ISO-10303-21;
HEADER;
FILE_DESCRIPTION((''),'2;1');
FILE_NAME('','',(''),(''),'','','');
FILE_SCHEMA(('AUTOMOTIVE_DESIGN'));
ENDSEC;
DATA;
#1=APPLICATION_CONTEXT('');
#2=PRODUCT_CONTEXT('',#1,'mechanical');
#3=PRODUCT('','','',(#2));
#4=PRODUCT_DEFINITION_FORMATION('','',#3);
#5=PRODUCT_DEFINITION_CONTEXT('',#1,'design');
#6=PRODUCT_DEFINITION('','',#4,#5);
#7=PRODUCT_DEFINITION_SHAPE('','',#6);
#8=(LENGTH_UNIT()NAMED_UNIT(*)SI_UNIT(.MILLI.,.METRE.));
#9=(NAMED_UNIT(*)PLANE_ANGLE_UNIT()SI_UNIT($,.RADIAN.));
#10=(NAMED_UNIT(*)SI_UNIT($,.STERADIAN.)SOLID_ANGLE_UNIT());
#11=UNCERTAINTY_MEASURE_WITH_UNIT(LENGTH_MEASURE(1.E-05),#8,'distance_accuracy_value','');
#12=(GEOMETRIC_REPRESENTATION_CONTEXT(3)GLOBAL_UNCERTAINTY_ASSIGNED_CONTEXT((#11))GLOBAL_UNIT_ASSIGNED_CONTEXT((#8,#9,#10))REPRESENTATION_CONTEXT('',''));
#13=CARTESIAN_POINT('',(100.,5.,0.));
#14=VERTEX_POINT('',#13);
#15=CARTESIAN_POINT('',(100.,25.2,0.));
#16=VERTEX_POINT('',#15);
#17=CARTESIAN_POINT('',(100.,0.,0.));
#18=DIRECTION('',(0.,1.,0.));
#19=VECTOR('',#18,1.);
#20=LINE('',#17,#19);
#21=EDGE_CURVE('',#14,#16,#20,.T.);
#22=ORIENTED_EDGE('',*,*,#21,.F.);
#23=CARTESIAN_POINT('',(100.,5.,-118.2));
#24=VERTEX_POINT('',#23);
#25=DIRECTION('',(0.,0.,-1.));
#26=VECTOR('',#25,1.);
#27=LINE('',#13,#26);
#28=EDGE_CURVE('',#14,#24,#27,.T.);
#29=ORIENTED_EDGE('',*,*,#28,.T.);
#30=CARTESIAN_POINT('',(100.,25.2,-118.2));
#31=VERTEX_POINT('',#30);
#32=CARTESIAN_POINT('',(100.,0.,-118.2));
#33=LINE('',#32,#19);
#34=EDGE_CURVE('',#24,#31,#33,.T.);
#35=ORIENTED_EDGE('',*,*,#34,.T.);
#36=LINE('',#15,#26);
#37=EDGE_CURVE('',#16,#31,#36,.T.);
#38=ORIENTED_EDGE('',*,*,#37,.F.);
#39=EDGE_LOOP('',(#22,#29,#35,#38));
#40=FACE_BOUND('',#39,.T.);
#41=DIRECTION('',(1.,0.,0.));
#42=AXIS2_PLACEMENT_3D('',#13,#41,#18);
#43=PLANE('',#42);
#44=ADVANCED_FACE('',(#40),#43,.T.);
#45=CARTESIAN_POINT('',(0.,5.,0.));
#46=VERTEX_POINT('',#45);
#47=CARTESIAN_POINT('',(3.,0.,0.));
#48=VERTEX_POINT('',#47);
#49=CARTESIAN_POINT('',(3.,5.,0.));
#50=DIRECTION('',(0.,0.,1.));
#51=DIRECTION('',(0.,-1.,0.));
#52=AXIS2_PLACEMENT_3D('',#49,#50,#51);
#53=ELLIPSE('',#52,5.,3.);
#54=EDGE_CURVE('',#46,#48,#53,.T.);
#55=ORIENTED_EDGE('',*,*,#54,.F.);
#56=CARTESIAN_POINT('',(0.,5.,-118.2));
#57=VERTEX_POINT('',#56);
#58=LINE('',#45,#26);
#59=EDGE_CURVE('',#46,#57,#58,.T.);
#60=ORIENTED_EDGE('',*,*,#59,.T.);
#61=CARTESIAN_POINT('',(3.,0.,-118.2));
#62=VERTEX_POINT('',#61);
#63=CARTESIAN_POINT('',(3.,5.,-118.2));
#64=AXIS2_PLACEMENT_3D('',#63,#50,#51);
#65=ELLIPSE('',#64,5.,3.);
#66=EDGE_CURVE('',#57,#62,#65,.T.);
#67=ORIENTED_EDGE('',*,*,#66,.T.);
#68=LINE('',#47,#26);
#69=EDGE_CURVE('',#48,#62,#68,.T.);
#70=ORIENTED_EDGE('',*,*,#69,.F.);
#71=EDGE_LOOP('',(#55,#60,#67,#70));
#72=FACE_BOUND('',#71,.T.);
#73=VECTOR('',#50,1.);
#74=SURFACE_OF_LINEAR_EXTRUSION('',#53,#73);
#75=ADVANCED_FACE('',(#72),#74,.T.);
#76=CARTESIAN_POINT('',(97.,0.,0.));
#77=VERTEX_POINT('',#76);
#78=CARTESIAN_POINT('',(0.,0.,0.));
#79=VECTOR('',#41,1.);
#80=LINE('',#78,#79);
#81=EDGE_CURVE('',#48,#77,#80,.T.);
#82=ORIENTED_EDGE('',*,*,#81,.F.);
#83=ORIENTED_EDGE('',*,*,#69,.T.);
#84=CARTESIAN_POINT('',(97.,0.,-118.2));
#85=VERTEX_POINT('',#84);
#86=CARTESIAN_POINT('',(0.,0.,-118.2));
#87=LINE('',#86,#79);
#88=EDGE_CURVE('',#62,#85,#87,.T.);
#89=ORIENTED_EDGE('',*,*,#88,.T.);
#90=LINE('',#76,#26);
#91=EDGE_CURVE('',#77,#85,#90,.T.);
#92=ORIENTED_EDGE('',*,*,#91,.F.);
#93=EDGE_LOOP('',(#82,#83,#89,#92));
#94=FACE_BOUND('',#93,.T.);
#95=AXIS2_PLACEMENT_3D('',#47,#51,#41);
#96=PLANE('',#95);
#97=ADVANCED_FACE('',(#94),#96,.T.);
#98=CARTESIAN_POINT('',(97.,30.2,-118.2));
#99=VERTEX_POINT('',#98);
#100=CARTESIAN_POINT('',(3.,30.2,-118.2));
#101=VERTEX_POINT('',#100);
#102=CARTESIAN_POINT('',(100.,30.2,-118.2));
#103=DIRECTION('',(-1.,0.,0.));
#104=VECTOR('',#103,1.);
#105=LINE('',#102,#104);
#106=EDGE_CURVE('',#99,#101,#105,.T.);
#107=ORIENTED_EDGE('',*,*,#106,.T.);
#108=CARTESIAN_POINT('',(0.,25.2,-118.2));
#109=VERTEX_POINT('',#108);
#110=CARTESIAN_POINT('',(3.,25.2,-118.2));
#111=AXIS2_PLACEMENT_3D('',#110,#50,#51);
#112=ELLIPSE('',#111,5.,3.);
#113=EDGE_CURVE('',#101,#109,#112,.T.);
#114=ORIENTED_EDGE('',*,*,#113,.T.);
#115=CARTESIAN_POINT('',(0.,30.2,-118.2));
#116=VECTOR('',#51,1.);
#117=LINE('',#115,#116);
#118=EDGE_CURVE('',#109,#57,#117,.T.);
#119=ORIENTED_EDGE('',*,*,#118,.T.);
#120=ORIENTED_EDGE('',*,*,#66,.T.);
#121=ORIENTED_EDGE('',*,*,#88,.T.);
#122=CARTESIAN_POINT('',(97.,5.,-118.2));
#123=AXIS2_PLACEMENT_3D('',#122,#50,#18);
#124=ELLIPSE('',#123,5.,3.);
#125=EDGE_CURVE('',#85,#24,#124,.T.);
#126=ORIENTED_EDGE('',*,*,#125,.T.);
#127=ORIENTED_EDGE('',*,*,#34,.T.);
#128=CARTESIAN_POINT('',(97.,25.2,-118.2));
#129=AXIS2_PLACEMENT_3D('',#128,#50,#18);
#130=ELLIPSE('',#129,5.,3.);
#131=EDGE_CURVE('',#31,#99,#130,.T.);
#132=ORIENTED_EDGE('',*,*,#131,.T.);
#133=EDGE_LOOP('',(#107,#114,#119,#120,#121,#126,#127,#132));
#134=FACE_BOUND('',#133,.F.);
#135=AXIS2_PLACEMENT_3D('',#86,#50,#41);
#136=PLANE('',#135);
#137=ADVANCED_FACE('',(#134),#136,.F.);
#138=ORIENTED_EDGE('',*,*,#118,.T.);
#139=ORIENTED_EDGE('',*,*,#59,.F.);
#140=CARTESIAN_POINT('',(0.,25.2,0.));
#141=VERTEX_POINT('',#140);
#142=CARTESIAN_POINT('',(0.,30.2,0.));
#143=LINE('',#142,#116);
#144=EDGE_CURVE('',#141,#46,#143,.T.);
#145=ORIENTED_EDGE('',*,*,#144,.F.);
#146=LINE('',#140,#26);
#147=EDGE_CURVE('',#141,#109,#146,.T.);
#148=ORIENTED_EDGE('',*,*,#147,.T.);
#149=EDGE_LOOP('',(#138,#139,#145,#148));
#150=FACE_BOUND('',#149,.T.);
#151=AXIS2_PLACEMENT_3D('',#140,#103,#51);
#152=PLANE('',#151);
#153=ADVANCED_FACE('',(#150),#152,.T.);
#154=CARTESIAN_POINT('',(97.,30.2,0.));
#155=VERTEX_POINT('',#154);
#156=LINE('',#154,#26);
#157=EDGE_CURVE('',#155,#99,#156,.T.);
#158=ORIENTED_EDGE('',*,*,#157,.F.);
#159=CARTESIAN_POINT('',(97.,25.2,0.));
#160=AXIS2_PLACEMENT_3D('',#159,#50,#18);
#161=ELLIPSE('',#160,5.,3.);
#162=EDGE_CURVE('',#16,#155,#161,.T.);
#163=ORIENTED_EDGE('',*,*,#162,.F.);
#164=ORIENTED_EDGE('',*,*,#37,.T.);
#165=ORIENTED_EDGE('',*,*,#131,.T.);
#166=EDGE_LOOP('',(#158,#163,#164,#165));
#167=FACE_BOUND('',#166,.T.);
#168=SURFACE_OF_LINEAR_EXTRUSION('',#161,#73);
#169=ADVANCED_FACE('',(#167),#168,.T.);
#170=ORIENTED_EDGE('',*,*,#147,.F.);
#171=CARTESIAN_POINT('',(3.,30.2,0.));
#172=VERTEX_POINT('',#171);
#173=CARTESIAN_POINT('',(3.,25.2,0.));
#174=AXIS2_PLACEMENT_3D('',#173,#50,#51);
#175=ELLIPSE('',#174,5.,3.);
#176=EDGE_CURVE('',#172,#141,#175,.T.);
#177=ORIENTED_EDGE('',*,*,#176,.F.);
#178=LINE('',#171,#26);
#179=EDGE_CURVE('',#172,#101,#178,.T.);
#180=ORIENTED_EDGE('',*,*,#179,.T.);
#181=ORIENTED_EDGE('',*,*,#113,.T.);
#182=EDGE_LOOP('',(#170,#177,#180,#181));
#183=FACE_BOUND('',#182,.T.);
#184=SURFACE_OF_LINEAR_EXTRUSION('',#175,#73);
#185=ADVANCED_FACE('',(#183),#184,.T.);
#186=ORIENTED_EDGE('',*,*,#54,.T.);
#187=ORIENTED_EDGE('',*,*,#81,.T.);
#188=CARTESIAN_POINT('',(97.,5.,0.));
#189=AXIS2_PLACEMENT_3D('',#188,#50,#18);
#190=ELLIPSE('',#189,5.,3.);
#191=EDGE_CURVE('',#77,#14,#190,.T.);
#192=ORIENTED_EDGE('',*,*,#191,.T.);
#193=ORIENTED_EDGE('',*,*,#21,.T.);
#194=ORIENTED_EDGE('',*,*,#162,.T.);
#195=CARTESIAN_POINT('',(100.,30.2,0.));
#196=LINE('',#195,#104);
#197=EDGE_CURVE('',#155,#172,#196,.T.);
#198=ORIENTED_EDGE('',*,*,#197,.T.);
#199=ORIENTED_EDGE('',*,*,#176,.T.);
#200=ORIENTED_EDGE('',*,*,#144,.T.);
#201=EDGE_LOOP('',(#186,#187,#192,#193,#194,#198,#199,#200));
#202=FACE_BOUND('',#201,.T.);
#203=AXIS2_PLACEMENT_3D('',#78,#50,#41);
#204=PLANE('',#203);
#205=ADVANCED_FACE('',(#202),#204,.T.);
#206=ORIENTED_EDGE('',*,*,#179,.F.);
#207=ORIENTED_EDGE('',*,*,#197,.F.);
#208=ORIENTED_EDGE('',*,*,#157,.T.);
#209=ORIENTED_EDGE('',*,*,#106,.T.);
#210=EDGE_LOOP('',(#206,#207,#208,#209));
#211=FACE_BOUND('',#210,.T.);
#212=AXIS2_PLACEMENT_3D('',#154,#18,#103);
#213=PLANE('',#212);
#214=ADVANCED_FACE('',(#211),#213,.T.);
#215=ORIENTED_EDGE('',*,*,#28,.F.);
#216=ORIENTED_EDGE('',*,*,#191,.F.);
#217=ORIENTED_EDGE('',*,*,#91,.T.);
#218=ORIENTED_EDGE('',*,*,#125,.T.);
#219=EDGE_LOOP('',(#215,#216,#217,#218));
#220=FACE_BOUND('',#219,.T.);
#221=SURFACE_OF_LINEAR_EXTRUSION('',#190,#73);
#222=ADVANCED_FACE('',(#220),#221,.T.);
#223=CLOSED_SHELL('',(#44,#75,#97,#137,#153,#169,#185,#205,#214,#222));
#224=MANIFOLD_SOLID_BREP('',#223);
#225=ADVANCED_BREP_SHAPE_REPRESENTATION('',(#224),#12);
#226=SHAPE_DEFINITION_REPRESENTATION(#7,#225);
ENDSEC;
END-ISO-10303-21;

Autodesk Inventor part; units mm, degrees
ref_plane "YZ Plane" through (0, 0, 0) normal (1, 0, 0) x (0, 1, 0)
ref_plane "XZ Plane" through (0, 0, 0) normal (0, 1, 0) x (-1, 0, 0)
ref_plane "XY Plane" through (0, 0, 0) normal (0, 0, 1) x (1, 0, 0)
sketch "Sketch1" plane through (0, 0, 0) normal (0, 0, 1) x (1, 0, 0)
  line L0 (0, 0) -> (100, 0)
  line L1 (100, 0) -> (100, 30.2)
  line L2 (100, 30.2) -> (0, 30.2)
  line L3 (0, 30.2) -> (0, 0)
  ellipse E0 centre (3, 25.2) end of major axis (0, 25.2) minor radius 5 (3, 30.2) -> (0, 25.2) ccw
  line L4 (50, 30.2) -> (50, 0) construction
  line L5 (0, 15.1) -> (100, 15.1) construction
  ellipse E1 centre (97, 25.2) end of major axis (100, 25.2) minor radius 5 (100, 25.2) -> (97, 30.2) ccw
  ellipse E2 centre (3, 5) end of major axis (0, 5) minor radius 5 (0, 5) -> (3, 0) ccw
  ellipse E3 centre (97, 5) end of major axis (100, 5) minor radius 5 (97, 0) -> (100, 5) ccw
  point P0 (0, 5)
  point P1 (3, 0)
  point P2 (97, 0)
  point P3 (100, 5)
  point P4 (100, 25.2)
  dimension "d0" = 100
  dimension "d1" = 30.2
  dimension "d6" = 3
  dimension "d7" = 5
extrude "Extrusion1" add sketch "Sketch1" against normal blind 118.2 contours E2 L3 E0 L2 E1 L1 E3 L0
properties part number "DAC"
